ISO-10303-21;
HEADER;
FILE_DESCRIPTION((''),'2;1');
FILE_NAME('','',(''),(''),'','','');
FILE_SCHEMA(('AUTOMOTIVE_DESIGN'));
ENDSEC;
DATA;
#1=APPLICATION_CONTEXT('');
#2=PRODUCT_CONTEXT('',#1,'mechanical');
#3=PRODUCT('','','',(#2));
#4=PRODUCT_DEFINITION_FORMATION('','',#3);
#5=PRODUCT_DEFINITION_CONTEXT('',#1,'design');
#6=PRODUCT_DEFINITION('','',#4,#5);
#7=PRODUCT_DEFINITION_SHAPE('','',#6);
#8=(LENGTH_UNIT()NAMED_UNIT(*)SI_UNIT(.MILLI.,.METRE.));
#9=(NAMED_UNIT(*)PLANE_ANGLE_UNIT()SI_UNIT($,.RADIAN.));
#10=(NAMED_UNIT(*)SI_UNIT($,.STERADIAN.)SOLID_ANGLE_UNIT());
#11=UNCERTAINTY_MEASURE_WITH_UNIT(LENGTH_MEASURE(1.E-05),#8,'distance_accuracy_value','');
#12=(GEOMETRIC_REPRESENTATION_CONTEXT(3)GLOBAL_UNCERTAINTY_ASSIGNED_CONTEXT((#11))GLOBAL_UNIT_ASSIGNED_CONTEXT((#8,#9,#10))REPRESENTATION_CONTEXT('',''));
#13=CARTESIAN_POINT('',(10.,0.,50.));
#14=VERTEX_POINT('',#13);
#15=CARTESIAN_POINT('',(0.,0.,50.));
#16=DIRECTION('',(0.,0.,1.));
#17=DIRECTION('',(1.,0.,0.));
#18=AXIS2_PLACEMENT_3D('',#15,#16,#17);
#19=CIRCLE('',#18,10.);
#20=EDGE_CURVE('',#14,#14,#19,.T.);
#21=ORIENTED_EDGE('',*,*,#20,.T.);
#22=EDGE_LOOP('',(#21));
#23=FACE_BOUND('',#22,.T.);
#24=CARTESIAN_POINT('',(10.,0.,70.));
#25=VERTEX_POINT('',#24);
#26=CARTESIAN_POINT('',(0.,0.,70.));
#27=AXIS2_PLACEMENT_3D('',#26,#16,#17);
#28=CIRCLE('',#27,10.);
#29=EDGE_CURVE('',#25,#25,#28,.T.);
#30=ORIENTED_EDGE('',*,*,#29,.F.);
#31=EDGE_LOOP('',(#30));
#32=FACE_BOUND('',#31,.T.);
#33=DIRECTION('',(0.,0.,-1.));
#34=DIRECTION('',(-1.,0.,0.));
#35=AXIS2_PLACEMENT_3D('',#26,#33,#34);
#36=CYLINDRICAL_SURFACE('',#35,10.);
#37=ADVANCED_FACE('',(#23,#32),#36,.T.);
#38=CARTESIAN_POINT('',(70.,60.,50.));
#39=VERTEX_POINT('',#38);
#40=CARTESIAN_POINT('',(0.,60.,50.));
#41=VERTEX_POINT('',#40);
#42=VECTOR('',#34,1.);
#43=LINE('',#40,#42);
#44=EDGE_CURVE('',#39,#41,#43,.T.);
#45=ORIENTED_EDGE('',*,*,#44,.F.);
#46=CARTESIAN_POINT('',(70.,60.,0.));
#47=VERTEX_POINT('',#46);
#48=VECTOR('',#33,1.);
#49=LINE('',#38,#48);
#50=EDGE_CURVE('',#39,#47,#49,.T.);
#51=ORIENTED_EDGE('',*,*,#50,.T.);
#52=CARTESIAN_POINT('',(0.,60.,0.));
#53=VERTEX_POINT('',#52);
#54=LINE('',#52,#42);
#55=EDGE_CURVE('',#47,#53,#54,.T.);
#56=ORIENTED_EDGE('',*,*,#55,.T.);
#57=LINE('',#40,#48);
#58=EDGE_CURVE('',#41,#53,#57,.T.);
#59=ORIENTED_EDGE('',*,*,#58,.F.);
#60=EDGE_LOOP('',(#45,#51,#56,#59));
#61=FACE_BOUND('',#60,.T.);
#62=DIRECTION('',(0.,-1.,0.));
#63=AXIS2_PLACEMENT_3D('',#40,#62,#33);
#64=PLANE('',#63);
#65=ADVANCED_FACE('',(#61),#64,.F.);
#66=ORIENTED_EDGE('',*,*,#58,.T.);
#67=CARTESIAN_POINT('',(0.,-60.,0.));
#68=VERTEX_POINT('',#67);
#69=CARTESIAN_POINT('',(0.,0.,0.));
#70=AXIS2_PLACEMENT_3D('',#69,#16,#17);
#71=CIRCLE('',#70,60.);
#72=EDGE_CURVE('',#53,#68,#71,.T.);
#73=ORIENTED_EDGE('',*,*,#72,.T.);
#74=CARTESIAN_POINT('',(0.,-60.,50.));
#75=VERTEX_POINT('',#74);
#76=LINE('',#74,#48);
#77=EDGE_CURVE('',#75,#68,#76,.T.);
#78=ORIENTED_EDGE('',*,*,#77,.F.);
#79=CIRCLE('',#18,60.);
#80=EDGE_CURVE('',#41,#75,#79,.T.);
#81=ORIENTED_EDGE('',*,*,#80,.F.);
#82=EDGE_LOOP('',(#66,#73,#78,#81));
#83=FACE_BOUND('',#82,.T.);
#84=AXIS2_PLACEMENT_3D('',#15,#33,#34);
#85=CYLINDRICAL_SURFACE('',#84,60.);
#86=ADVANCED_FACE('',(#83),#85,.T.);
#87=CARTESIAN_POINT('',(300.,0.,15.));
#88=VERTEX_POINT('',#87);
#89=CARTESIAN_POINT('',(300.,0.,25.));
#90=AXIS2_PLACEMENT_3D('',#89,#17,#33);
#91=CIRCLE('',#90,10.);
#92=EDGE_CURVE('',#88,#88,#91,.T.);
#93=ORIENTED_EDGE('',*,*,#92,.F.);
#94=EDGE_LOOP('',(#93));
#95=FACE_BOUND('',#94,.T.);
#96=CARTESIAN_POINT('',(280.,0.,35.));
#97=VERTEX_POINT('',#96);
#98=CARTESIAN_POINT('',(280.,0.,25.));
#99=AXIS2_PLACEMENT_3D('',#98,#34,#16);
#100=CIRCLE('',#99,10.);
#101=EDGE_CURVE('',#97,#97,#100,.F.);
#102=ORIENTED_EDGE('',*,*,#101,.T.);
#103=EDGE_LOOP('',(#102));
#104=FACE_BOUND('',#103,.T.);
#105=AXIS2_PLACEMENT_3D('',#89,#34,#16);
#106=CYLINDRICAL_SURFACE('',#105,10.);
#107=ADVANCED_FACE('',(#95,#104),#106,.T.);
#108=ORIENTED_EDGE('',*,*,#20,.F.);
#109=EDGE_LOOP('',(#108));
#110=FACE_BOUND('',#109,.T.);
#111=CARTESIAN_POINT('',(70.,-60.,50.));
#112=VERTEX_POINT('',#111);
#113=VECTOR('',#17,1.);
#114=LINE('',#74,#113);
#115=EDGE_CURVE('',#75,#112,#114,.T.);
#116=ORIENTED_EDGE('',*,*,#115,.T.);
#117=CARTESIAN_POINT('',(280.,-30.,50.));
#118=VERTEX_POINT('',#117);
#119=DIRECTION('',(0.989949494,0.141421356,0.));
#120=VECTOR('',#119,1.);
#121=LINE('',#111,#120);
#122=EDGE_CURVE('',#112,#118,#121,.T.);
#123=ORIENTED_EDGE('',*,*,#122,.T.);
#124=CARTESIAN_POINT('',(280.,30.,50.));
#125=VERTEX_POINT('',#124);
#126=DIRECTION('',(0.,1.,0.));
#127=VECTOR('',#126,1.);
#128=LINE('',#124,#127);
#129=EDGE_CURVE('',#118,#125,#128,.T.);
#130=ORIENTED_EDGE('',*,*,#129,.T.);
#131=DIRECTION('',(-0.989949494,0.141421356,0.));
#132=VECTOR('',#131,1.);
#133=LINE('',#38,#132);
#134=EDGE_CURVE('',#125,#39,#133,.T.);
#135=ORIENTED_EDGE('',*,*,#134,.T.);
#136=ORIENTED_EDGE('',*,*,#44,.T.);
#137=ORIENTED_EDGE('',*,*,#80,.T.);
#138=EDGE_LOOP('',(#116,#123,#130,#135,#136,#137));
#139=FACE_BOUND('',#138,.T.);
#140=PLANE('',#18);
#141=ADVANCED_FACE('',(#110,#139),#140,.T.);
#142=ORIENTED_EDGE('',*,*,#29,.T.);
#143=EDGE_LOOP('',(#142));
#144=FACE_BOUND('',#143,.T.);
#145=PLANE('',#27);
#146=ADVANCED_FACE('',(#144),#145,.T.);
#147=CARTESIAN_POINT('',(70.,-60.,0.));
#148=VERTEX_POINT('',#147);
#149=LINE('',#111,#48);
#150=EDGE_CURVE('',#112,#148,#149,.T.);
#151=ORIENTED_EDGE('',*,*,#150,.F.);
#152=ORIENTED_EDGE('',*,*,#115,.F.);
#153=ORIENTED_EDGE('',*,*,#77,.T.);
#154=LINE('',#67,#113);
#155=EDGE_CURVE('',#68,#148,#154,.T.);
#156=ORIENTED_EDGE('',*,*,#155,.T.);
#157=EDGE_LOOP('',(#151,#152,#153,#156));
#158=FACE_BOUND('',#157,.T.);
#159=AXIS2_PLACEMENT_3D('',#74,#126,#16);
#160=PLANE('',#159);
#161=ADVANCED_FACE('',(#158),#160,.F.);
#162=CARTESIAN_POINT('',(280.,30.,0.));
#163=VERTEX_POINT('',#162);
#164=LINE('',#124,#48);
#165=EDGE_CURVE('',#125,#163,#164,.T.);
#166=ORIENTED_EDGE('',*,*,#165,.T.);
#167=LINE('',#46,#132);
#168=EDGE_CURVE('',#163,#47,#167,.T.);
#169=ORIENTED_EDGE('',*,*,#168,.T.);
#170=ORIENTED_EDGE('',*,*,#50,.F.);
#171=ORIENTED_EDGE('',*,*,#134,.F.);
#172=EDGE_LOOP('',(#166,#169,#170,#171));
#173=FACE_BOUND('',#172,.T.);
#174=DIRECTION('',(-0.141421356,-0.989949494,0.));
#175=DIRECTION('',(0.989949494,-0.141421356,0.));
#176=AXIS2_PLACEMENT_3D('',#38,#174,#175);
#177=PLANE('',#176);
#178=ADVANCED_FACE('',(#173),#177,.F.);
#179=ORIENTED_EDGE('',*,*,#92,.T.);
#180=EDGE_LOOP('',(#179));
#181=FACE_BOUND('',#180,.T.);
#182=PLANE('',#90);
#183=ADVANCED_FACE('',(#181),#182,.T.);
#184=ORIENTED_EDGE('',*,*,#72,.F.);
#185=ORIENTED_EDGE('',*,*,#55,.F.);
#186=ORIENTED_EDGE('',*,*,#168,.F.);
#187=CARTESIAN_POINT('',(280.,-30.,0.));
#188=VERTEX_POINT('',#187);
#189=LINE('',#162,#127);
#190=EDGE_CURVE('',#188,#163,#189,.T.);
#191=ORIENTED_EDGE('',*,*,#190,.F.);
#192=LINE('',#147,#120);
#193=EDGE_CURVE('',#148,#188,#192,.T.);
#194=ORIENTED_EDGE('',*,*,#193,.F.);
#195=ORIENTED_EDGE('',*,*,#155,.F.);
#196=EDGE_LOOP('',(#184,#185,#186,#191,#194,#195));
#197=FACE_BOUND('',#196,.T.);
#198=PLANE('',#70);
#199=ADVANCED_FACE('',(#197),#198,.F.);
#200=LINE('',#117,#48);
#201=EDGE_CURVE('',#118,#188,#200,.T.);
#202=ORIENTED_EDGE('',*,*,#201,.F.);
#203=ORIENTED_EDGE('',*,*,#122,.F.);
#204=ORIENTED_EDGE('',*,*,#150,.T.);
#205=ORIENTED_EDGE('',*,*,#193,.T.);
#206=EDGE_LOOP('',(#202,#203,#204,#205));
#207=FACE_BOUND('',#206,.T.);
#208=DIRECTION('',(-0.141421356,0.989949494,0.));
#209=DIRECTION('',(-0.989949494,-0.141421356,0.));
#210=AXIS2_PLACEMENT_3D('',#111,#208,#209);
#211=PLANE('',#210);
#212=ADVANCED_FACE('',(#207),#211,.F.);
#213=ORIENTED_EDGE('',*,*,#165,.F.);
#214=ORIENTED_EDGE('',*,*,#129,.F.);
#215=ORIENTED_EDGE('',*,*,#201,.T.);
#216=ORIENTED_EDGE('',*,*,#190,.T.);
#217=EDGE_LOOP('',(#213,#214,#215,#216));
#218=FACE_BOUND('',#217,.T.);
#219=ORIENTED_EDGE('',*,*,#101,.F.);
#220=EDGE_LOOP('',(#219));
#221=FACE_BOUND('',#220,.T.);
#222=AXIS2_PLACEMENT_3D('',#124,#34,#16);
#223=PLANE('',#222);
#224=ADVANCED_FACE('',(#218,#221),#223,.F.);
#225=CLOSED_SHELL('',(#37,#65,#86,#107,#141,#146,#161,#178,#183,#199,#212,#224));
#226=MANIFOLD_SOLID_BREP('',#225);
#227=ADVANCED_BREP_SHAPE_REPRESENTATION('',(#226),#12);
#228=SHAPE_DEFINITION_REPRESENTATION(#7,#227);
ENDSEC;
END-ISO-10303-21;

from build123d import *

# Parameters (mm, degrees)
BOSS_EXTRUDE1_DEPTH = 50
SKETCH2_R           = 10
BOSS_EXTRUDE2_DEPTH = 20
SKETCH3_R           = 10
BOSS_EXTRUDE3_DEPTH = 20


with BuildPart() as part:
    # Sketch1 → Boss-Extrude1 (new body)
    with BuildSketch(Plane.XY):
        with BuildLine():
            Line((0, 60), (70, 60))
            Line((70, 60), (280, 30))
            Line((280, 30), (280, -30))
            Line((280, -30), (70, -60))
            Line((70, -60), (0, -60))
            ThreePointArc((0, -60), (-60, 0), (0, 60))
        make_face()
    extrude(amount=BOSS_EXTRUDE1_DEPTH)

    # Sketch2 → Boss-Extrude2 (add)
    with BuildSketch(Plane.XY.offset(50)):
        Circle(SKETCH2_R)
    extrude(amount=BOSS_EXTRUDE2_DEPTH)

    # Sketch3 → Boss-Extrude3 (add)
    with BuildSketch(Plane(origin=(280, 0, 0), x_dir=(0, 0, -1), z_dir=(1, 0, 0))):
        with Locations(Location((-25, 0, 0), (0, 0, 180))):
            Circle(SKETCH3_R)
    extrude(amount=BOSS_EXTRUDE3_DEPTH)


solid = part.part
